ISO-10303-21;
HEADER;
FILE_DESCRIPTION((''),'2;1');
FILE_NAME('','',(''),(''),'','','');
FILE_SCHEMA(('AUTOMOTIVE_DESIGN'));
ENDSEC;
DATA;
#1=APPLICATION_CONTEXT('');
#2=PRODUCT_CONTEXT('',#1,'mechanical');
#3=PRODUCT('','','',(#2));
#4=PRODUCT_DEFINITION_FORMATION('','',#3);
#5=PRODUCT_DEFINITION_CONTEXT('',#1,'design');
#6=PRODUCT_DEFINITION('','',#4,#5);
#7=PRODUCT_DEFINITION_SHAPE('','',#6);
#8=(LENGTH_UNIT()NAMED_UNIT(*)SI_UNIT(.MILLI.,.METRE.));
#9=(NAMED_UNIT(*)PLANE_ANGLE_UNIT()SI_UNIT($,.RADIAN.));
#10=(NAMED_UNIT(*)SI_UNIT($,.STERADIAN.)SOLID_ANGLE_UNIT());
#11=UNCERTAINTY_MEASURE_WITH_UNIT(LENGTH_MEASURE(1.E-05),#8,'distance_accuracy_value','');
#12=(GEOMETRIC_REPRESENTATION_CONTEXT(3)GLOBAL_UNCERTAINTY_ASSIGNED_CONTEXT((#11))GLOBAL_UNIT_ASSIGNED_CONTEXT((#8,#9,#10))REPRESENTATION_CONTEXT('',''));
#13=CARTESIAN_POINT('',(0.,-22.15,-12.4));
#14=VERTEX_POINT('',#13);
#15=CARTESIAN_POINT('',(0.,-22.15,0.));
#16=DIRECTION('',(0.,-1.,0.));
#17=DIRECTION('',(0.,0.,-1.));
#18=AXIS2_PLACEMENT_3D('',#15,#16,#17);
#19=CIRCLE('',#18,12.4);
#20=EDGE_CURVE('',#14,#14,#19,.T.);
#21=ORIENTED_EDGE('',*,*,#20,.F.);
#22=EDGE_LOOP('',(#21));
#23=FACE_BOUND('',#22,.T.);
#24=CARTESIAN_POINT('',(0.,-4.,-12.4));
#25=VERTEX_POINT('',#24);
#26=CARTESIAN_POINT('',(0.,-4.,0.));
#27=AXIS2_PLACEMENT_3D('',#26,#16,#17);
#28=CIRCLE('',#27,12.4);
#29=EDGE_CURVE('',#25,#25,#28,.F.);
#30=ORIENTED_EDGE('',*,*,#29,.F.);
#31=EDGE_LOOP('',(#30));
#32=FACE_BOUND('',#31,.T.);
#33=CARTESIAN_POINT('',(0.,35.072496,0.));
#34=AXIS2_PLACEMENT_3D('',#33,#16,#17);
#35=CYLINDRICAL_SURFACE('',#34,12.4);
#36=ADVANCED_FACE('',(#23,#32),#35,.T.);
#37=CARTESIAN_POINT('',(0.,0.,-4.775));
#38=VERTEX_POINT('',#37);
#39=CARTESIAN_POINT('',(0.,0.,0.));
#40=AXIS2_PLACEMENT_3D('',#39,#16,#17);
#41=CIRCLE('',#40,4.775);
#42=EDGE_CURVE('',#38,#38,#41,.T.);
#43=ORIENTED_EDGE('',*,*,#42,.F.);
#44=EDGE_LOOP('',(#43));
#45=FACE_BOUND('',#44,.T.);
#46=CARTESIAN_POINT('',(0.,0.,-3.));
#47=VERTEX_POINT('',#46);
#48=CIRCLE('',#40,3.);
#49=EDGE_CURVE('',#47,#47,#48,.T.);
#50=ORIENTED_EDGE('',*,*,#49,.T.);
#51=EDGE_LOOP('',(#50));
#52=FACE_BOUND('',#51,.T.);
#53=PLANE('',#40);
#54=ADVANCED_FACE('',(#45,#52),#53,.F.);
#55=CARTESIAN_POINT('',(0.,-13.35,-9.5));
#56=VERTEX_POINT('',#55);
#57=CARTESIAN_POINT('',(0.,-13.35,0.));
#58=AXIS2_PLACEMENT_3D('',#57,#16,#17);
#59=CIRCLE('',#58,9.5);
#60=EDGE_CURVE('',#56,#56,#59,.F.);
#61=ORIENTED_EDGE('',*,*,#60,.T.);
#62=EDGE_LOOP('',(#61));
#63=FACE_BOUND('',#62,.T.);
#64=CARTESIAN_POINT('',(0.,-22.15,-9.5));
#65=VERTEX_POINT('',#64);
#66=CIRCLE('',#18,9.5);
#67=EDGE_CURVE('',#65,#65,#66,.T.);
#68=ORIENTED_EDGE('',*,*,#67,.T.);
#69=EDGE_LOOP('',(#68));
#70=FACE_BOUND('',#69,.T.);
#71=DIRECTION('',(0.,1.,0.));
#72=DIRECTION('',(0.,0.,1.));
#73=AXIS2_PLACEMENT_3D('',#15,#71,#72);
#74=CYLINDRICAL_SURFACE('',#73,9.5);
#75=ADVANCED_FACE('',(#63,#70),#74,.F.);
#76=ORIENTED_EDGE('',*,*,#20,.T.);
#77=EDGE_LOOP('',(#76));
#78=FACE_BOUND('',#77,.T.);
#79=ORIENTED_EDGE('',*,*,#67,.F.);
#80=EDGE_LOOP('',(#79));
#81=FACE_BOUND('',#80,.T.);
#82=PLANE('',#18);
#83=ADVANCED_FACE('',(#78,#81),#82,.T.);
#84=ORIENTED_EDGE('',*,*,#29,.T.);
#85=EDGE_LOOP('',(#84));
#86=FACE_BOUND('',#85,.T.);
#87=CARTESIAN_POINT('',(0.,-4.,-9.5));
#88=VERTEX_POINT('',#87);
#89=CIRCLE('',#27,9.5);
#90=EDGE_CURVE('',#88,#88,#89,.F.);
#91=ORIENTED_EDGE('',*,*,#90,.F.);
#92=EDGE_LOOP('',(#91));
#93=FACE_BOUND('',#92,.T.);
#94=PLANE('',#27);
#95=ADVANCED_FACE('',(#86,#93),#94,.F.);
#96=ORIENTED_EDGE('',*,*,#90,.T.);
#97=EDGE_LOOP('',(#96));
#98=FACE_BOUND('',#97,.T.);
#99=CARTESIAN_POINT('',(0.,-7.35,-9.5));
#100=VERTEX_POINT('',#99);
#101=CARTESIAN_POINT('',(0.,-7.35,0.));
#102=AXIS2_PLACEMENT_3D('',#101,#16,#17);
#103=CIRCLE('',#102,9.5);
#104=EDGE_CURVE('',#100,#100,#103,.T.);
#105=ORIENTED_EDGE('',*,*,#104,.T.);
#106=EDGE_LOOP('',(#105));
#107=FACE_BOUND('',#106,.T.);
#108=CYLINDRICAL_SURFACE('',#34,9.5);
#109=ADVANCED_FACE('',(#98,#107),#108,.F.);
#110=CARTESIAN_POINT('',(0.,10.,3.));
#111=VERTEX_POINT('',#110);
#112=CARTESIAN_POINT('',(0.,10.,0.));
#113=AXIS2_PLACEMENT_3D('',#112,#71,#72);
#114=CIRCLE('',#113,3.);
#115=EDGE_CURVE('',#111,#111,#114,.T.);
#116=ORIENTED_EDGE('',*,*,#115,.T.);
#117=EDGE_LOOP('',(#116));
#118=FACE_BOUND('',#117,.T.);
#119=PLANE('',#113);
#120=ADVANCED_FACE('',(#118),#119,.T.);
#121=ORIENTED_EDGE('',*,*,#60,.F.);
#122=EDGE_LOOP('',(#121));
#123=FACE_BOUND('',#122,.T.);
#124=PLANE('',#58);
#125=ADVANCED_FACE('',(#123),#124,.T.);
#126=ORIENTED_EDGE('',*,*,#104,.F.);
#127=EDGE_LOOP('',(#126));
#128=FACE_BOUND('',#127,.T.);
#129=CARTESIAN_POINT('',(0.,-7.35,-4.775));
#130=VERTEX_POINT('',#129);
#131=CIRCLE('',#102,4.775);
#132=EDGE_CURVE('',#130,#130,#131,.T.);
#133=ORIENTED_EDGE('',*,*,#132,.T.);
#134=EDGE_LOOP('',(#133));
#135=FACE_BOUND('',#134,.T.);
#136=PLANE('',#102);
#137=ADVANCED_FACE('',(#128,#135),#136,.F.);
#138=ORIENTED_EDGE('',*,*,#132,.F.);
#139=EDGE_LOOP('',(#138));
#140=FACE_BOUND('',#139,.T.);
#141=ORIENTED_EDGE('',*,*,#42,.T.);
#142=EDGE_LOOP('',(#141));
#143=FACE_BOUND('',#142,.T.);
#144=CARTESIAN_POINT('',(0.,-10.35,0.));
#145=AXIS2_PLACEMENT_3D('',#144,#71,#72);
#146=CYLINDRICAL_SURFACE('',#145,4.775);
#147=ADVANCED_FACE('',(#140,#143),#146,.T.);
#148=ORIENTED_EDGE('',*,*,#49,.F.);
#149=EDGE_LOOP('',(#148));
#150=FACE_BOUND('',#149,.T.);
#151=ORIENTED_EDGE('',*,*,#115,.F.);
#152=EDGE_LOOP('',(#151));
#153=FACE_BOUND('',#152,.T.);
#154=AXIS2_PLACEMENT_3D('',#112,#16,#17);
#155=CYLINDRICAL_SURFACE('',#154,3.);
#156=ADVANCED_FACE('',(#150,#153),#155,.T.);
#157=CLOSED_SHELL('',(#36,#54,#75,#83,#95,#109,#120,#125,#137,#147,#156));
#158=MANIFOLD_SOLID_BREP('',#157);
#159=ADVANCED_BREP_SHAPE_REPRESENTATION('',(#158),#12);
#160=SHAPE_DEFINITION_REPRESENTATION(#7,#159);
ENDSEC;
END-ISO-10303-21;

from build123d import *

# Parameters (mm, degrees)
SKETCH1_R                = 3
BOSS_EXTRUDE1_DEPTH      = 10
SKETCH2_R                = 4.775
BOSS_EXTRUDE2_DEPTH      = 10.35
BOSS_EXTRUDE3_DEPTH      = 3
BOSS_EXTRUDE3_DEPTH_BACK = 3
SKETCH3_R                = 9.5
SKETCH4_R                = 12.4
SKETCH4_R_2              = 9.5
BOSS_EXTRUDE4_DEPTH      = 9.35
BOSS_EXTRUDE5_START      = 8.8
SKETCH5_R                = 12.4
SKETCH5_R_2              = 9.5
BOSS_EXTRUDE5_DEPTH      = 8.8


with BuildPart() as part:
    # Sketch1 → Boss-Extrude1 (new body)
    with BuildSketch(Plane(origin=(0, 0, 0), x_dir=(1, 0, 0), z_dir=(0, 1, 0))):
        with Locations(Location((0, 0, 0), (0, 0, 270))):
            Circle(SKETCH1_R)
    extrude(amount=BOSS_EXTRUDE1_DEPTH)

    # Sketch2 → Boss-Extrude2 (add)
    with BuildSketch(Plane.XZ):
        with Locations(Location((0, 0, 0), (0, 0, 270))):
            Circle(SKETCH2_R)
    extrude(amount=BOSS_EXTRUDE2_DEPTH)

    # Sketch3 → Boss-Extrude3 (add, two sides: drawn at the far end of the back side and taken through both)
    with BuildSketch(Plane.XZ.offset(10.35).offset(-BOSS_EXTRUDE3_DEPTH_BACK)):
        with Locations(Location((0, 0, 0), (0, 0, 270))):
            Circle(SKETCH3_R)
    extrude(amount=BOSS_EXTRUDE3_DEPTH + BOSS_EXTRUDE3_DEPTH_BACK)

    # Sketch4 → Boss-Extrude4 (add)
    with BuildSketch(Plane.XZ.offset(13.35)):
        with Locations(Location((0, 0, 0), (0, 0, 270))):
            Circle(SKETCH4_R)
        with Locations(Location((0, 0, 0), (0, 0, 270))):
            Circle(SKETCH4_R_2, mode=Mode.SUBTRACT)
    extrude(amount=-BOSS_EXTRUDE4_DEPTH)

    # Sketch5 → Boss-Extrude5 (add)
    with BuildSketch(Plane.XZ.offset(13.35).offset(BOSS_EXTRUDE5_START)):
        with Locations(Location((0, 0, 0), (0, 0, 270))):
            Circle(SKETCH5_R)
        with Locations(Location((0, 0, 0), (0, 0, 270))):
            Circle(SKETCH5_R_2, mode=Mode.SUBTRACT)
    extrude(amount=-BOSS_EXTRUDE5_DEPTH)


solid = part.part
